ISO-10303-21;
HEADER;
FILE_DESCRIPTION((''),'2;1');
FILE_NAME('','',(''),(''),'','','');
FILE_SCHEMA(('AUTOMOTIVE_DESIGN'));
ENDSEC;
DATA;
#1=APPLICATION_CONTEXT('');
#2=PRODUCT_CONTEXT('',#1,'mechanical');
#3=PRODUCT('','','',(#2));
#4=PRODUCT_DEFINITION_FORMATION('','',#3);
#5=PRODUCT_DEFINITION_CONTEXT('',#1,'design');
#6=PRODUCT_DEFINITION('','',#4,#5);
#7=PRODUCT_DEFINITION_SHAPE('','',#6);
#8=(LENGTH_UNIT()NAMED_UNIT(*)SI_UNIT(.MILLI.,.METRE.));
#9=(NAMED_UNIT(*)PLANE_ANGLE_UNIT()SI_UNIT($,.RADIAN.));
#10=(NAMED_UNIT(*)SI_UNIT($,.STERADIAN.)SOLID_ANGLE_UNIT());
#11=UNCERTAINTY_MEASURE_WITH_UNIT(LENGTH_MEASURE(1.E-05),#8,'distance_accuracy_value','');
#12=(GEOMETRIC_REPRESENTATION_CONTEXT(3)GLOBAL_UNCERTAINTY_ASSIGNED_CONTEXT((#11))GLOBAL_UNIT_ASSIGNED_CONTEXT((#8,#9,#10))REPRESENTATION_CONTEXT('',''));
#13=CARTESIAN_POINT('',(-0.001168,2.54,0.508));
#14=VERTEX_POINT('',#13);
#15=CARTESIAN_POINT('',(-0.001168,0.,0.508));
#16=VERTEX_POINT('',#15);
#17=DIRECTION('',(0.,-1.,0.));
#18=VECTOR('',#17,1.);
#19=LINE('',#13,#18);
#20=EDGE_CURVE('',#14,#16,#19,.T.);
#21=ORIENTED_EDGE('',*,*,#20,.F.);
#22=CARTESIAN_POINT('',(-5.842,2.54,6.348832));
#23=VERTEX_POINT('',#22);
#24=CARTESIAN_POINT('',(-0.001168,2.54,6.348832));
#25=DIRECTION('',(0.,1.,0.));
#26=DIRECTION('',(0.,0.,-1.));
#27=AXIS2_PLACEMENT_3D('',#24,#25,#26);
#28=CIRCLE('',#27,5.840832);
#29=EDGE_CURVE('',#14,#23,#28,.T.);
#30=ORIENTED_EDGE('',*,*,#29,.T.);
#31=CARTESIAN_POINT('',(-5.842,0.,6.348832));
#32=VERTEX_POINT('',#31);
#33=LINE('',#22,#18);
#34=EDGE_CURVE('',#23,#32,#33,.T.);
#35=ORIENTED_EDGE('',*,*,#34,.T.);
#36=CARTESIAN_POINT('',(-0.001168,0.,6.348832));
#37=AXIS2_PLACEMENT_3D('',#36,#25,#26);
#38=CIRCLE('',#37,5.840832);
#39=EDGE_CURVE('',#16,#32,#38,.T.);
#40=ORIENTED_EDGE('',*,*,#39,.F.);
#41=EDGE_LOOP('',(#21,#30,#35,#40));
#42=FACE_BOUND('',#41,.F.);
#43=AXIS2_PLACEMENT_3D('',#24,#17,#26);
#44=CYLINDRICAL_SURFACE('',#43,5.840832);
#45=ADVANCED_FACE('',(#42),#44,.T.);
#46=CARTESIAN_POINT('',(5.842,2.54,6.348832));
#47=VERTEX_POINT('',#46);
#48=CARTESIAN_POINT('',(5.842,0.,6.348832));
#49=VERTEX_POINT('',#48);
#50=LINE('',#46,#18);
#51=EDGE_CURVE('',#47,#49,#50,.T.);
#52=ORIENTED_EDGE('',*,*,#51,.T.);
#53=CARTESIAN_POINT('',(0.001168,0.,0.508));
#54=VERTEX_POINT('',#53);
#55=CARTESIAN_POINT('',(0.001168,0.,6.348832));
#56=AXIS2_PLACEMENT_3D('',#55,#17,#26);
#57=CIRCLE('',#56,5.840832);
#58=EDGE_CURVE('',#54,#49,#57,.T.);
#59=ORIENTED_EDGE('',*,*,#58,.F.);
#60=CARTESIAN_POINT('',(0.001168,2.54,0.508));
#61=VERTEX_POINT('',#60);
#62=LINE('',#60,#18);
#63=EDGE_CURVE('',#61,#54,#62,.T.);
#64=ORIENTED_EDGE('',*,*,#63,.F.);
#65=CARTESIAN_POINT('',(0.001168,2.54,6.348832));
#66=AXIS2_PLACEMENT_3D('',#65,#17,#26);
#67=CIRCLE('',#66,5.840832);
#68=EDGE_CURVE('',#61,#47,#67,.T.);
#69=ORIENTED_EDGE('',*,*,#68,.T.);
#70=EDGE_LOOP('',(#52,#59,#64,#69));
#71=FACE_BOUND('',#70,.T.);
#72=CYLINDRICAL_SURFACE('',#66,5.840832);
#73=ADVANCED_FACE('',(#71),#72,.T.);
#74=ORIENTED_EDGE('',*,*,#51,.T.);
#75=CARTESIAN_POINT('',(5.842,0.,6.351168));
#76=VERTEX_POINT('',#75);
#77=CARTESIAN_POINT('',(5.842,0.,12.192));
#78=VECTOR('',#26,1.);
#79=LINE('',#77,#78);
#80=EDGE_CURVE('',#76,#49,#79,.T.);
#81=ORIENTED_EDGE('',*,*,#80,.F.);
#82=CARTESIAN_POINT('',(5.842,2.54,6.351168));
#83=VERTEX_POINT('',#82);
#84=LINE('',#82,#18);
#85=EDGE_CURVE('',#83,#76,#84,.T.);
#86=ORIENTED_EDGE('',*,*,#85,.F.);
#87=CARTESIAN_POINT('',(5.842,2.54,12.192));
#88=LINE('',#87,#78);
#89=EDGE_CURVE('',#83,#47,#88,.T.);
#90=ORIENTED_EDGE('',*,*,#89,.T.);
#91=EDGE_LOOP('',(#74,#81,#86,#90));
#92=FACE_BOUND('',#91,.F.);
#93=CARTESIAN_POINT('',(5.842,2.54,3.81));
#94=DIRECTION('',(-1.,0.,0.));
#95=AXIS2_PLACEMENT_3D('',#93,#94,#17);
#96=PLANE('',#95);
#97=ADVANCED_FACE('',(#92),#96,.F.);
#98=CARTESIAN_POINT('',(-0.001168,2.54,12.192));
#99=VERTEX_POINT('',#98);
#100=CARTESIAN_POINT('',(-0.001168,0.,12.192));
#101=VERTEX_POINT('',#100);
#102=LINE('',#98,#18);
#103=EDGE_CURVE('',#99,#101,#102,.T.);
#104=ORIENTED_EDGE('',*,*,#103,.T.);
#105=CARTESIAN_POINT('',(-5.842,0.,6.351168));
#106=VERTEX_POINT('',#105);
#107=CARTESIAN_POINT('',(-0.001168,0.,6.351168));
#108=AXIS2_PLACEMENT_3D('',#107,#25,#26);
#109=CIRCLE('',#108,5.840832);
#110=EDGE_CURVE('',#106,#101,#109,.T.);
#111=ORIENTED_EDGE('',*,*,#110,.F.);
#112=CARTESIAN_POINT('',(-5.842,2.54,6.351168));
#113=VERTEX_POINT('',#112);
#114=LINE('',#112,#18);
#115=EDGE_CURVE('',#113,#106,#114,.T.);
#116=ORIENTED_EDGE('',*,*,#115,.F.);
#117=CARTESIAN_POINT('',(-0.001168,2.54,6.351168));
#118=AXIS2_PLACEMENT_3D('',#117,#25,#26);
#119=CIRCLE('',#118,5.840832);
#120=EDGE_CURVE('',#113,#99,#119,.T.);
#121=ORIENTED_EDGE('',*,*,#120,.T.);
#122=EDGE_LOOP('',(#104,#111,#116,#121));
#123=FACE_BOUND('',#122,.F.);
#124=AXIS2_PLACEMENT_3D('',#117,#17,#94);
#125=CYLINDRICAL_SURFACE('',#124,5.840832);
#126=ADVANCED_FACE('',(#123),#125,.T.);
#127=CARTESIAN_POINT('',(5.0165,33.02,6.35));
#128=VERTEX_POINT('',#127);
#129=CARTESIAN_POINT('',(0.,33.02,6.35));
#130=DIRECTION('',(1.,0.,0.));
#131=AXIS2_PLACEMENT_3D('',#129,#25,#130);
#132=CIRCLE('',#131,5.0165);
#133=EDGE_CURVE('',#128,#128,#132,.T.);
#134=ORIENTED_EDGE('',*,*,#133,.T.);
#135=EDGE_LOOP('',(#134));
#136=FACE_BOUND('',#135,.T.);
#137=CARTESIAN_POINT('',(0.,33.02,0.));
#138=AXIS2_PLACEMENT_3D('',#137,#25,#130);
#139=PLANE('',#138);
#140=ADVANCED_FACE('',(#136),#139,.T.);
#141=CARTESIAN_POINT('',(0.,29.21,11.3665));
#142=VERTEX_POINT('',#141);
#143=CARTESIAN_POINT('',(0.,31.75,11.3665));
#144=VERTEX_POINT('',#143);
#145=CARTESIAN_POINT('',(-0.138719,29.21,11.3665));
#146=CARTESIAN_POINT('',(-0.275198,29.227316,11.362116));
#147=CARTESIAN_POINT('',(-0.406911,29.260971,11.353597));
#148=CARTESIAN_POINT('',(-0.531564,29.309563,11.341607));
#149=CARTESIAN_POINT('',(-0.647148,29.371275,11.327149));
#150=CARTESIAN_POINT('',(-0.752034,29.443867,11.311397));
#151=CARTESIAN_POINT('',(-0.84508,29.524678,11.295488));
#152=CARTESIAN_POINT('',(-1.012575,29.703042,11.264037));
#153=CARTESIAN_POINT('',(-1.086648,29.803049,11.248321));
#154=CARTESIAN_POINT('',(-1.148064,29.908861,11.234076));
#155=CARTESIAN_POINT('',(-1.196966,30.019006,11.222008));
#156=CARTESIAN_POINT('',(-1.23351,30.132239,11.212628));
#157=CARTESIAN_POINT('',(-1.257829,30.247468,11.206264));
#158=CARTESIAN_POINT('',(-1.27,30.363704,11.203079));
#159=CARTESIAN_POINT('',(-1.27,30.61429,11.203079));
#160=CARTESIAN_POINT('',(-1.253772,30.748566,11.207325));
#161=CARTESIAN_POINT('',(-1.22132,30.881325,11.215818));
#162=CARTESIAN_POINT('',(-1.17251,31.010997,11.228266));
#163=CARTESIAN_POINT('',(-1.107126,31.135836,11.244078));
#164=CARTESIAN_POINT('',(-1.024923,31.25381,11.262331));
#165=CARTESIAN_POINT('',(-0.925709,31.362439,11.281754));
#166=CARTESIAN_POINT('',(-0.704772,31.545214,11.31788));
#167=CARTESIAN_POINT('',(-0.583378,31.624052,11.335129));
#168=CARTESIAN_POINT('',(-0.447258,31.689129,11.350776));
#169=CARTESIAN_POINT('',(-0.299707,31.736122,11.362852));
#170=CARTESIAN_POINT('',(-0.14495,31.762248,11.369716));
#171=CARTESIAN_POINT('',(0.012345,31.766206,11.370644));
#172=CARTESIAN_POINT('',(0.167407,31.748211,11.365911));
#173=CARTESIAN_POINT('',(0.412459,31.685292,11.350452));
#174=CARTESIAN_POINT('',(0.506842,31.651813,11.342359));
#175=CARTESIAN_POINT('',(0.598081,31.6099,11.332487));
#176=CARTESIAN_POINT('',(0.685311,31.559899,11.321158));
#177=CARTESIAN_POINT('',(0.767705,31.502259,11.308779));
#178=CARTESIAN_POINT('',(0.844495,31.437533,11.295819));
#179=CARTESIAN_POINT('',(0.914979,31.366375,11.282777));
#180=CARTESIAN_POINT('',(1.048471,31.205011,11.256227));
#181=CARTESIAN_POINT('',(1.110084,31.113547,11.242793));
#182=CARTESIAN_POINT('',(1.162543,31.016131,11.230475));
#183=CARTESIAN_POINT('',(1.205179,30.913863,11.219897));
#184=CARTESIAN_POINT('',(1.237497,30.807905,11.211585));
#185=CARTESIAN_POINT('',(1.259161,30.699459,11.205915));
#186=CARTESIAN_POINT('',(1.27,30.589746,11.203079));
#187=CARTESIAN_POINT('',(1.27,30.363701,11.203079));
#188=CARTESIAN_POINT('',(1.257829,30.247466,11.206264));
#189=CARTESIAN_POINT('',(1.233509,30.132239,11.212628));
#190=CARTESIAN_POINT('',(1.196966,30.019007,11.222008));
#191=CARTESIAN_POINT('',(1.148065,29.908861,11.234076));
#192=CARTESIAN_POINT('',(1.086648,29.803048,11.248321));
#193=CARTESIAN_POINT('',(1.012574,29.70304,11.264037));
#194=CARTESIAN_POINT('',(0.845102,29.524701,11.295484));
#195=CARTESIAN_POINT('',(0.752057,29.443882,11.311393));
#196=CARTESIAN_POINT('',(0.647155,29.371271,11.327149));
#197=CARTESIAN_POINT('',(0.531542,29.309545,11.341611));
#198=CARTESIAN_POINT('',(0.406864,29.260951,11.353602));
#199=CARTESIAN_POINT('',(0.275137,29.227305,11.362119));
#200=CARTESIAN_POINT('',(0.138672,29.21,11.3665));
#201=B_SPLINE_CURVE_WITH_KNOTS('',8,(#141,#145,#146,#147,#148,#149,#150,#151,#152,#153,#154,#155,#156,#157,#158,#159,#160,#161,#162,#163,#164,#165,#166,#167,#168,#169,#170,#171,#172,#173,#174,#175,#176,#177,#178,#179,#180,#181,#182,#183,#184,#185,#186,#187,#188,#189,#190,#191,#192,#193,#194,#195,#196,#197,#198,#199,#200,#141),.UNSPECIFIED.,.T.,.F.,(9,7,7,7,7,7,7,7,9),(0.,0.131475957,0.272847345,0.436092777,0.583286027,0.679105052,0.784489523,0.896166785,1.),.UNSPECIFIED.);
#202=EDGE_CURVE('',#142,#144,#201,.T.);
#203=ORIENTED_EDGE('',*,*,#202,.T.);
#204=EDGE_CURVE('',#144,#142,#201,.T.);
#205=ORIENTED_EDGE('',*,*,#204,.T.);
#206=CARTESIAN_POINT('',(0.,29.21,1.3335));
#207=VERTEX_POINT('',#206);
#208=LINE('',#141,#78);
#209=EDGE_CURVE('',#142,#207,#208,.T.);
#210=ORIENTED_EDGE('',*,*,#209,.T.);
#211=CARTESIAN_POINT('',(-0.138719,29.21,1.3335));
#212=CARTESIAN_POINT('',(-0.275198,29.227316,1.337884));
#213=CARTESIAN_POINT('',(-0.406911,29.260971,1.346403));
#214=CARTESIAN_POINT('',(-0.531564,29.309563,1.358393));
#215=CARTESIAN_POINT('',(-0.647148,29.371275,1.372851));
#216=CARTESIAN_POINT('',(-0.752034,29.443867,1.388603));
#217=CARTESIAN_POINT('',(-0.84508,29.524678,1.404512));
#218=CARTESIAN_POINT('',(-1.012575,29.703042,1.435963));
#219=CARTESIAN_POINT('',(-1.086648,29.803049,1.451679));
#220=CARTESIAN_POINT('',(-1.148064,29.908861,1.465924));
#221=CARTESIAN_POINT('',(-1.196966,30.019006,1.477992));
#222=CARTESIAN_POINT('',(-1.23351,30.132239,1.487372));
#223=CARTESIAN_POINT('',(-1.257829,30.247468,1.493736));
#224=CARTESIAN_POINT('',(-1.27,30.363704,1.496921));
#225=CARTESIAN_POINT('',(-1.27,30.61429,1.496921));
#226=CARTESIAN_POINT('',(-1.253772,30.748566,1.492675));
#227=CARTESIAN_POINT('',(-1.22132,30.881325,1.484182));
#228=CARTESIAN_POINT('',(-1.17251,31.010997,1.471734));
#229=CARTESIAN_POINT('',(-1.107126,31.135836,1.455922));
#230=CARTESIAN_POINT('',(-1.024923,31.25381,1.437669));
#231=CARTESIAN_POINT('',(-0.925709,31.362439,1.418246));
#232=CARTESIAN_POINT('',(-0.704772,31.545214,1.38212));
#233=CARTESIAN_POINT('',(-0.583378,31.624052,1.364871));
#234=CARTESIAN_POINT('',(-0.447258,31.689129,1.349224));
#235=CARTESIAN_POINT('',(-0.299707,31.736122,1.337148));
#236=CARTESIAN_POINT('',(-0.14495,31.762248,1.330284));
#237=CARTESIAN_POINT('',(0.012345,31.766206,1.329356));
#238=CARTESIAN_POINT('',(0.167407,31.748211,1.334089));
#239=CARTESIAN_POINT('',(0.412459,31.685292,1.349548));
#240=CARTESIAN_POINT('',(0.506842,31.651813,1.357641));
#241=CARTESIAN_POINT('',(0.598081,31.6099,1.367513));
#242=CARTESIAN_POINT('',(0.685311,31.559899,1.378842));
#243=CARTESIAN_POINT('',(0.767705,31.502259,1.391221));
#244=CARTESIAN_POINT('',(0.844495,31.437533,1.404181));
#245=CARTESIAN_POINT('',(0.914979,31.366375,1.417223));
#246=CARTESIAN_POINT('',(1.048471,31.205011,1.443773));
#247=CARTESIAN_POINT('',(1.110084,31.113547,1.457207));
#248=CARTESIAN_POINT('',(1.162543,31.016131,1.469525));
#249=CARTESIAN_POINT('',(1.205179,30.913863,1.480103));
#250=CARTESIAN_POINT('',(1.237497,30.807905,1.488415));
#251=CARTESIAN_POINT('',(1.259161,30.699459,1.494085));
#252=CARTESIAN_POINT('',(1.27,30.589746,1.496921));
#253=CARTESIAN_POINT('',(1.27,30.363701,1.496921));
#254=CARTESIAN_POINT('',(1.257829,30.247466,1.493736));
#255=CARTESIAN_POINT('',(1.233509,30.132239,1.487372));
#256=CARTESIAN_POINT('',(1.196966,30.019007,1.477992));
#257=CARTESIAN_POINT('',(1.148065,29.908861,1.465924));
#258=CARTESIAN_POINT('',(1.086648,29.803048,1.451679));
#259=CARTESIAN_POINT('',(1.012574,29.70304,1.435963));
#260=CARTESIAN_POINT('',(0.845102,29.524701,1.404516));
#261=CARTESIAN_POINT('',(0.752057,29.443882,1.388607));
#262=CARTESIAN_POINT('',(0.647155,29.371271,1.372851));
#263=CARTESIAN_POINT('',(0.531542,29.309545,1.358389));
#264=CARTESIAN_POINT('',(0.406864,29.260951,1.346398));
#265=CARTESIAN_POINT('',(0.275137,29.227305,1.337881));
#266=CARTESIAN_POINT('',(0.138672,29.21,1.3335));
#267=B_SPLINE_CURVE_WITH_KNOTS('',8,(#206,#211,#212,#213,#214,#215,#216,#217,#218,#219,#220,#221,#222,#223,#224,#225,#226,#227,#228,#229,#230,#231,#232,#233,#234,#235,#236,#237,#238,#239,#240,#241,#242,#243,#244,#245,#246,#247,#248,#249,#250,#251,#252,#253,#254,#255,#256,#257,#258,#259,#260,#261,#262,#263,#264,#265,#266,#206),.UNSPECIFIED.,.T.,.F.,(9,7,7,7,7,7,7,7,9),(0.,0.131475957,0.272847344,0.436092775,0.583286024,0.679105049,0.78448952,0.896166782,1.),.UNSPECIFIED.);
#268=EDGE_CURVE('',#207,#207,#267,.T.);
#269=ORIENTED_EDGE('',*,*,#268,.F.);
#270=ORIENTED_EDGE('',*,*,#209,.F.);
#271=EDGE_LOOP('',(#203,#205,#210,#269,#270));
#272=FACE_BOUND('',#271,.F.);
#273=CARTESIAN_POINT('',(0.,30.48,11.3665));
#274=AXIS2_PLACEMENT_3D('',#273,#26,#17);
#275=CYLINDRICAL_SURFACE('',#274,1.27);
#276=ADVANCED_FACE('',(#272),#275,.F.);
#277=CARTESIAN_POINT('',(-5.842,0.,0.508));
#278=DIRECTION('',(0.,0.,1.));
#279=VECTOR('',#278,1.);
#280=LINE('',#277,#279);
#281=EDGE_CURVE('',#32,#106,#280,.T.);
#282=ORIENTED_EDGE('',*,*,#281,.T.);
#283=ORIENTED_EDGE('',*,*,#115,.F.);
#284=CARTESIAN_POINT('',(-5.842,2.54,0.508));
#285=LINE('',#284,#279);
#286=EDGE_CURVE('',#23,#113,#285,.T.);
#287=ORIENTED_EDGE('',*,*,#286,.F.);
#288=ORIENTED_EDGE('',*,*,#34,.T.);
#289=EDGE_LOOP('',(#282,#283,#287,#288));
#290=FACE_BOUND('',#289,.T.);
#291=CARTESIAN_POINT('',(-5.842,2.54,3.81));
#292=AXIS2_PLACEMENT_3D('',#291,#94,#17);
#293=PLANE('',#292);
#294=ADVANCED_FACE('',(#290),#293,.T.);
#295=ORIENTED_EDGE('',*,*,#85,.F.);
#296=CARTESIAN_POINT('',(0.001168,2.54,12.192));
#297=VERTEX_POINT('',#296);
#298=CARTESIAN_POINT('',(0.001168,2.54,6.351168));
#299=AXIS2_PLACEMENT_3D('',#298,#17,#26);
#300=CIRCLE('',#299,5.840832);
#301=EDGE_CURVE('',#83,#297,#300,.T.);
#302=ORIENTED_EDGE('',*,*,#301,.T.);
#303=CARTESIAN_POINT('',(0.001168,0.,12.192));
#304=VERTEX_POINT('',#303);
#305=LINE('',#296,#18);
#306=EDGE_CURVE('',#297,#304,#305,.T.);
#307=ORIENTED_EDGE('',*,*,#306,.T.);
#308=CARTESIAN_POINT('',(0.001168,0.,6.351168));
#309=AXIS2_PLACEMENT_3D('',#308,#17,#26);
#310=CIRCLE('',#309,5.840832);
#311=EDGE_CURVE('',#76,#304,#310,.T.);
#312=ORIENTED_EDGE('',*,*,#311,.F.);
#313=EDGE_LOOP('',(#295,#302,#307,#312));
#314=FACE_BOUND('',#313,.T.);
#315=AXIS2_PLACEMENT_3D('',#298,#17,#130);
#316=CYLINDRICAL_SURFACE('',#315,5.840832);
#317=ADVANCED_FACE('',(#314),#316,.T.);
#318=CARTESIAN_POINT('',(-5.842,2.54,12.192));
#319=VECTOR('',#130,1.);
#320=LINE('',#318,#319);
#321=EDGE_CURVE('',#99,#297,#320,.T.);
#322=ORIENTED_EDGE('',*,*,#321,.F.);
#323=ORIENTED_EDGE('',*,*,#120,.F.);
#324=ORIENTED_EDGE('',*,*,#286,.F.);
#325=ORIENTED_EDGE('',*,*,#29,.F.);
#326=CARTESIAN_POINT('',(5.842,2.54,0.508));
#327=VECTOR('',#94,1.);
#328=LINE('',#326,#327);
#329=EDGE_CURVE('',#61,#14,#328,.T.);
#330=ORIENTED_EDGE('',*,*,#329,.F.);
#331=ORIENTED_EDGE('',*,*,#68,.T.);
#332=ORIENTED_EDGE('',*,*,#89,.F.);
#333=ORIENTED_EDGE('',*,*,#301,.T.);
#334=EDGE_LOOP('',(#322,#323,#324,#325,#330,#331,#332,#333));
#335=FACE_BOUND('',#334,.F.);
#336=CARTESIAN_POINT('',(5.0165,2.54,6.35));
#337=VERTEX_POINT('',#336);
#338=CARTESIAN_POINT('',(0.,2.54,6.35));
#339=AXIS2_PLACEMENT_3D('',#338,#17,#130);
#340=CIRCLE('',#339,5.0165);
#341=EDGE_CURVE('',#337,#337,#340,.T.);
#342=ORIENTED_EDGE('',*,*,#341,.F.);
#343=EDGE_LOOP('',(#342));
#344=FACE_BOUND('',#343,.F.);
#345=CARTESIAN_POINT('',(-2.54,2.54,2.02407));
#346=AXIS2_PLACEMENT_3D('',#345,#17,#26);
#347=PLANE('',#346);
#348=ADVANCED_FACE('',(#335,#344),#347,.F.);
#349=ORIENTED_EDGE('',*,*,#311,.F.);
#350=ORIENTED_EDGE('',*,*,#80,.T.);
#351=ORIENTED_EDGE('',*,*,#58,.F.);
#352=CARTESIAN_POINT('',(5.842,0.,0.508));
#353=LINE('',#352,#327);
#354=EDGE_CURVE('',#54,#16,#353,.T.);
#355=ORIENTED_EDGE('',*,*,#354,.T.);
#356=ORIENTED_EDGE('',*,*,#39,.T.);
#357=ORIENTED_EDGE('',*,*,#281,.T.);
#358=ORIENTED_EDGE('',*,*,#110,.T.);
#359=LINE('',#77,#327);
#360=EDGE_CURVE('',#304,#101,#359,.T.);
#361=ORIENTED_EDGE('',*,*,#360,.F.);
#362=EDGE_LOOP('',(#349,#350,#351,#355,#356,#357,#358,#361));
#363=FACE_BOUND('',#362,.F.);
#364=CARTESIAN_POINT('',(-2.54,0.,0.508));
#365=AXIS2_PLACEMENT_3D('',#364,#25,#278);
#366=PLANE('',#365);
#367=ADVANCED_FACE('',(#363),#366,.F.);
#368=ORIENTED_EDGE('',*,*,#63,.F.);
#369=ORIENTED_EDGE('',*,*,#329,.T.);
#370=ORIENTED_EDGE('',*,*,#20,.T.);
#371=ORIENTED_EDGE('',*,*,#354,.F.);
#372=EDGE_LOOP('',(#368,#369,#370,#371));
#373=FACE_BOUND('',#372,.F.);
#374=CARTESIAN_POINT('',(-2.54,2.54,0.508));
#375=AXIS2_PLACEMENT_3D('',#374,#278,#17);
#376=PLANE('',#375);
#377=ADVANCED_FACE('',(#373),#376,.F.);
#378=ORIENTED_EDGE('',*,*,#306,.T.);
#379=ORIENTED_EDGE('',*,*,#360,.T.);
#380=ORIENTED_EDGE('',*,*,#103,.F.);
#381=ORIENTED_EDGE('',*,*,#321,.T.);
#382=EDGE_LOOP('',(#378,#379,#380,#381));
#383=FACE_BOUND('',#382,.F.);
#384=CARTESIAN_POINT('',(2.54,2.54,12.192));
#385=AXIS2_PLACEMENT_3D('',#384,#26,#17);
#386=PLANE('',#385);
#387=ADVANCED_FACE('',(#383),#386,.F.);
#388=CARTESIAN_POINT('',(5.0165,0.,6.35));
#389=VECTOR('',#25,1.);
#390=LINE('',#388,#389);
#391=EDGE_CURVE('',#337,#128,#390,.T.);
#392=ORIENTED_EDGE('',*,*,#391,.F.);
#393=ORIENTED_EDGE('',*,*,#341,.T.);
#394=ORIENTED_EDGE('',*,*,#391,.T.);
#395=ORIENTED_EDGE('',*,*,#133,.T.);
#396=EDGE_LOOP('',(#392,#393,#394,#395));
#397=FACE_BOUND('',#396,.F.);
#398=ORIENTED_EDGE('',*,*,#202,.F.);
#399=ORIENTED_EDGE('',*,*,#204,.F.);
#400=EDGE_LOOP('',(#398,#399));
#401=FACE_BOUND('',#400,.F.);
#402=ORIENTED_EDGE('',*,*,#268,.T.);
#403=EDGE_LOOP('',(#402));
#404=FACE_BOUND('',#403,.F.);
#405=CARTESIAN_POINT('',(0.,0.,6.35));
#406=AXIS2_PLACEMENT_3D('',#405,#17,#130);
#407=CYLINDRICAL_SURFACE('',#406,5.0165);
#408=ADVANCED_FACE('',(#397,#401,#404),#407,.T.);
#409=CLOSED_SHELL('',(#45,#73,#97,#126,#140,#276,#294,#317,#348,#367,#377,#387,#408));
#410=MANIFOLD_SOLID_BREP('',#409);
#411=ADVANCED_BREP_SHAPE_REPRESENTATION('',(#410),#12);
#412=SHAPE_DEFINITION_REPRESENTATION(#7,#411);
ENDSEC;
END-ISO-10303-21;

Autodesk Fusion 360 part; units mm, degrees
sketch "Sketch1" plane through (0, 0, 0) normal (0, 1, 0) x (1, 0, 0)
  circle A0 centre (0, -6.35) radius 5.0165
  dimension "d1" = 10.033
extrude "Extrude1" add sketch "Sketch1" along normal blind 33.02
hole "Hole1" at (0, 55.245, 11.3665) direction (0, 0, -1) diameter 2.54 depth 19.05 tip angle 118
extrude "Extrude2" cut 1 faces at (-0.3721, 0, 4.7198) along direction (0, 1, 0) blind 2.54
sketch "Sketch3" plane through (0, 2.54, 0) normal (0, -1, 0) x (1, 0, 0)
  circle A0 centre (0, 6.35) radius 5.0165
  line L0 (-2.54, 8.89) -> (2.54, 8.89)
  line L1 (2.54, 8.89) -> (2.54, 3.81)
  line L2 (2.54, 3.81) -> (-2.54, 3.81)
  line L3 (-2.54, 3.81) -> (-2.54, 8.89)
extrude "Extrude3" add sketch "Sketch3" along normal blind 2.54 contours L0 L1 L2 L3
extrude "Extrude4" add 1 faces at (0.8467, 0.8467, 8.89) along direction (0, 0, 1) blind 3.302
extrude "Extrude5" add 1 faces at (2.54, 0.8467, 8.8926) along direction (1, 0, 0) blind 3.302
extrude "Extrude6" add 1 faces at (2.5426, 0.8467, 3.81) along direction (0, 0, -1) blind 3.302
extrude "Extrude7" add 1 faces at (-2.54, 0.8467, 4.908) along direction (-1, 0, 0) blind 3.302
fillet "Fillet1" radius 5.842 4 edges at (-5.842, 1.27, 12.192) (5.842, 1.27, 12.192) (5.842, 1.27, 0.508) (-5.842, 1.27, 0.508)
hole "Hole2" at (0, 30.48, 11.3665) direction (0, 0, -1) diameter 2.54 depth 23.622 tip angle 118
